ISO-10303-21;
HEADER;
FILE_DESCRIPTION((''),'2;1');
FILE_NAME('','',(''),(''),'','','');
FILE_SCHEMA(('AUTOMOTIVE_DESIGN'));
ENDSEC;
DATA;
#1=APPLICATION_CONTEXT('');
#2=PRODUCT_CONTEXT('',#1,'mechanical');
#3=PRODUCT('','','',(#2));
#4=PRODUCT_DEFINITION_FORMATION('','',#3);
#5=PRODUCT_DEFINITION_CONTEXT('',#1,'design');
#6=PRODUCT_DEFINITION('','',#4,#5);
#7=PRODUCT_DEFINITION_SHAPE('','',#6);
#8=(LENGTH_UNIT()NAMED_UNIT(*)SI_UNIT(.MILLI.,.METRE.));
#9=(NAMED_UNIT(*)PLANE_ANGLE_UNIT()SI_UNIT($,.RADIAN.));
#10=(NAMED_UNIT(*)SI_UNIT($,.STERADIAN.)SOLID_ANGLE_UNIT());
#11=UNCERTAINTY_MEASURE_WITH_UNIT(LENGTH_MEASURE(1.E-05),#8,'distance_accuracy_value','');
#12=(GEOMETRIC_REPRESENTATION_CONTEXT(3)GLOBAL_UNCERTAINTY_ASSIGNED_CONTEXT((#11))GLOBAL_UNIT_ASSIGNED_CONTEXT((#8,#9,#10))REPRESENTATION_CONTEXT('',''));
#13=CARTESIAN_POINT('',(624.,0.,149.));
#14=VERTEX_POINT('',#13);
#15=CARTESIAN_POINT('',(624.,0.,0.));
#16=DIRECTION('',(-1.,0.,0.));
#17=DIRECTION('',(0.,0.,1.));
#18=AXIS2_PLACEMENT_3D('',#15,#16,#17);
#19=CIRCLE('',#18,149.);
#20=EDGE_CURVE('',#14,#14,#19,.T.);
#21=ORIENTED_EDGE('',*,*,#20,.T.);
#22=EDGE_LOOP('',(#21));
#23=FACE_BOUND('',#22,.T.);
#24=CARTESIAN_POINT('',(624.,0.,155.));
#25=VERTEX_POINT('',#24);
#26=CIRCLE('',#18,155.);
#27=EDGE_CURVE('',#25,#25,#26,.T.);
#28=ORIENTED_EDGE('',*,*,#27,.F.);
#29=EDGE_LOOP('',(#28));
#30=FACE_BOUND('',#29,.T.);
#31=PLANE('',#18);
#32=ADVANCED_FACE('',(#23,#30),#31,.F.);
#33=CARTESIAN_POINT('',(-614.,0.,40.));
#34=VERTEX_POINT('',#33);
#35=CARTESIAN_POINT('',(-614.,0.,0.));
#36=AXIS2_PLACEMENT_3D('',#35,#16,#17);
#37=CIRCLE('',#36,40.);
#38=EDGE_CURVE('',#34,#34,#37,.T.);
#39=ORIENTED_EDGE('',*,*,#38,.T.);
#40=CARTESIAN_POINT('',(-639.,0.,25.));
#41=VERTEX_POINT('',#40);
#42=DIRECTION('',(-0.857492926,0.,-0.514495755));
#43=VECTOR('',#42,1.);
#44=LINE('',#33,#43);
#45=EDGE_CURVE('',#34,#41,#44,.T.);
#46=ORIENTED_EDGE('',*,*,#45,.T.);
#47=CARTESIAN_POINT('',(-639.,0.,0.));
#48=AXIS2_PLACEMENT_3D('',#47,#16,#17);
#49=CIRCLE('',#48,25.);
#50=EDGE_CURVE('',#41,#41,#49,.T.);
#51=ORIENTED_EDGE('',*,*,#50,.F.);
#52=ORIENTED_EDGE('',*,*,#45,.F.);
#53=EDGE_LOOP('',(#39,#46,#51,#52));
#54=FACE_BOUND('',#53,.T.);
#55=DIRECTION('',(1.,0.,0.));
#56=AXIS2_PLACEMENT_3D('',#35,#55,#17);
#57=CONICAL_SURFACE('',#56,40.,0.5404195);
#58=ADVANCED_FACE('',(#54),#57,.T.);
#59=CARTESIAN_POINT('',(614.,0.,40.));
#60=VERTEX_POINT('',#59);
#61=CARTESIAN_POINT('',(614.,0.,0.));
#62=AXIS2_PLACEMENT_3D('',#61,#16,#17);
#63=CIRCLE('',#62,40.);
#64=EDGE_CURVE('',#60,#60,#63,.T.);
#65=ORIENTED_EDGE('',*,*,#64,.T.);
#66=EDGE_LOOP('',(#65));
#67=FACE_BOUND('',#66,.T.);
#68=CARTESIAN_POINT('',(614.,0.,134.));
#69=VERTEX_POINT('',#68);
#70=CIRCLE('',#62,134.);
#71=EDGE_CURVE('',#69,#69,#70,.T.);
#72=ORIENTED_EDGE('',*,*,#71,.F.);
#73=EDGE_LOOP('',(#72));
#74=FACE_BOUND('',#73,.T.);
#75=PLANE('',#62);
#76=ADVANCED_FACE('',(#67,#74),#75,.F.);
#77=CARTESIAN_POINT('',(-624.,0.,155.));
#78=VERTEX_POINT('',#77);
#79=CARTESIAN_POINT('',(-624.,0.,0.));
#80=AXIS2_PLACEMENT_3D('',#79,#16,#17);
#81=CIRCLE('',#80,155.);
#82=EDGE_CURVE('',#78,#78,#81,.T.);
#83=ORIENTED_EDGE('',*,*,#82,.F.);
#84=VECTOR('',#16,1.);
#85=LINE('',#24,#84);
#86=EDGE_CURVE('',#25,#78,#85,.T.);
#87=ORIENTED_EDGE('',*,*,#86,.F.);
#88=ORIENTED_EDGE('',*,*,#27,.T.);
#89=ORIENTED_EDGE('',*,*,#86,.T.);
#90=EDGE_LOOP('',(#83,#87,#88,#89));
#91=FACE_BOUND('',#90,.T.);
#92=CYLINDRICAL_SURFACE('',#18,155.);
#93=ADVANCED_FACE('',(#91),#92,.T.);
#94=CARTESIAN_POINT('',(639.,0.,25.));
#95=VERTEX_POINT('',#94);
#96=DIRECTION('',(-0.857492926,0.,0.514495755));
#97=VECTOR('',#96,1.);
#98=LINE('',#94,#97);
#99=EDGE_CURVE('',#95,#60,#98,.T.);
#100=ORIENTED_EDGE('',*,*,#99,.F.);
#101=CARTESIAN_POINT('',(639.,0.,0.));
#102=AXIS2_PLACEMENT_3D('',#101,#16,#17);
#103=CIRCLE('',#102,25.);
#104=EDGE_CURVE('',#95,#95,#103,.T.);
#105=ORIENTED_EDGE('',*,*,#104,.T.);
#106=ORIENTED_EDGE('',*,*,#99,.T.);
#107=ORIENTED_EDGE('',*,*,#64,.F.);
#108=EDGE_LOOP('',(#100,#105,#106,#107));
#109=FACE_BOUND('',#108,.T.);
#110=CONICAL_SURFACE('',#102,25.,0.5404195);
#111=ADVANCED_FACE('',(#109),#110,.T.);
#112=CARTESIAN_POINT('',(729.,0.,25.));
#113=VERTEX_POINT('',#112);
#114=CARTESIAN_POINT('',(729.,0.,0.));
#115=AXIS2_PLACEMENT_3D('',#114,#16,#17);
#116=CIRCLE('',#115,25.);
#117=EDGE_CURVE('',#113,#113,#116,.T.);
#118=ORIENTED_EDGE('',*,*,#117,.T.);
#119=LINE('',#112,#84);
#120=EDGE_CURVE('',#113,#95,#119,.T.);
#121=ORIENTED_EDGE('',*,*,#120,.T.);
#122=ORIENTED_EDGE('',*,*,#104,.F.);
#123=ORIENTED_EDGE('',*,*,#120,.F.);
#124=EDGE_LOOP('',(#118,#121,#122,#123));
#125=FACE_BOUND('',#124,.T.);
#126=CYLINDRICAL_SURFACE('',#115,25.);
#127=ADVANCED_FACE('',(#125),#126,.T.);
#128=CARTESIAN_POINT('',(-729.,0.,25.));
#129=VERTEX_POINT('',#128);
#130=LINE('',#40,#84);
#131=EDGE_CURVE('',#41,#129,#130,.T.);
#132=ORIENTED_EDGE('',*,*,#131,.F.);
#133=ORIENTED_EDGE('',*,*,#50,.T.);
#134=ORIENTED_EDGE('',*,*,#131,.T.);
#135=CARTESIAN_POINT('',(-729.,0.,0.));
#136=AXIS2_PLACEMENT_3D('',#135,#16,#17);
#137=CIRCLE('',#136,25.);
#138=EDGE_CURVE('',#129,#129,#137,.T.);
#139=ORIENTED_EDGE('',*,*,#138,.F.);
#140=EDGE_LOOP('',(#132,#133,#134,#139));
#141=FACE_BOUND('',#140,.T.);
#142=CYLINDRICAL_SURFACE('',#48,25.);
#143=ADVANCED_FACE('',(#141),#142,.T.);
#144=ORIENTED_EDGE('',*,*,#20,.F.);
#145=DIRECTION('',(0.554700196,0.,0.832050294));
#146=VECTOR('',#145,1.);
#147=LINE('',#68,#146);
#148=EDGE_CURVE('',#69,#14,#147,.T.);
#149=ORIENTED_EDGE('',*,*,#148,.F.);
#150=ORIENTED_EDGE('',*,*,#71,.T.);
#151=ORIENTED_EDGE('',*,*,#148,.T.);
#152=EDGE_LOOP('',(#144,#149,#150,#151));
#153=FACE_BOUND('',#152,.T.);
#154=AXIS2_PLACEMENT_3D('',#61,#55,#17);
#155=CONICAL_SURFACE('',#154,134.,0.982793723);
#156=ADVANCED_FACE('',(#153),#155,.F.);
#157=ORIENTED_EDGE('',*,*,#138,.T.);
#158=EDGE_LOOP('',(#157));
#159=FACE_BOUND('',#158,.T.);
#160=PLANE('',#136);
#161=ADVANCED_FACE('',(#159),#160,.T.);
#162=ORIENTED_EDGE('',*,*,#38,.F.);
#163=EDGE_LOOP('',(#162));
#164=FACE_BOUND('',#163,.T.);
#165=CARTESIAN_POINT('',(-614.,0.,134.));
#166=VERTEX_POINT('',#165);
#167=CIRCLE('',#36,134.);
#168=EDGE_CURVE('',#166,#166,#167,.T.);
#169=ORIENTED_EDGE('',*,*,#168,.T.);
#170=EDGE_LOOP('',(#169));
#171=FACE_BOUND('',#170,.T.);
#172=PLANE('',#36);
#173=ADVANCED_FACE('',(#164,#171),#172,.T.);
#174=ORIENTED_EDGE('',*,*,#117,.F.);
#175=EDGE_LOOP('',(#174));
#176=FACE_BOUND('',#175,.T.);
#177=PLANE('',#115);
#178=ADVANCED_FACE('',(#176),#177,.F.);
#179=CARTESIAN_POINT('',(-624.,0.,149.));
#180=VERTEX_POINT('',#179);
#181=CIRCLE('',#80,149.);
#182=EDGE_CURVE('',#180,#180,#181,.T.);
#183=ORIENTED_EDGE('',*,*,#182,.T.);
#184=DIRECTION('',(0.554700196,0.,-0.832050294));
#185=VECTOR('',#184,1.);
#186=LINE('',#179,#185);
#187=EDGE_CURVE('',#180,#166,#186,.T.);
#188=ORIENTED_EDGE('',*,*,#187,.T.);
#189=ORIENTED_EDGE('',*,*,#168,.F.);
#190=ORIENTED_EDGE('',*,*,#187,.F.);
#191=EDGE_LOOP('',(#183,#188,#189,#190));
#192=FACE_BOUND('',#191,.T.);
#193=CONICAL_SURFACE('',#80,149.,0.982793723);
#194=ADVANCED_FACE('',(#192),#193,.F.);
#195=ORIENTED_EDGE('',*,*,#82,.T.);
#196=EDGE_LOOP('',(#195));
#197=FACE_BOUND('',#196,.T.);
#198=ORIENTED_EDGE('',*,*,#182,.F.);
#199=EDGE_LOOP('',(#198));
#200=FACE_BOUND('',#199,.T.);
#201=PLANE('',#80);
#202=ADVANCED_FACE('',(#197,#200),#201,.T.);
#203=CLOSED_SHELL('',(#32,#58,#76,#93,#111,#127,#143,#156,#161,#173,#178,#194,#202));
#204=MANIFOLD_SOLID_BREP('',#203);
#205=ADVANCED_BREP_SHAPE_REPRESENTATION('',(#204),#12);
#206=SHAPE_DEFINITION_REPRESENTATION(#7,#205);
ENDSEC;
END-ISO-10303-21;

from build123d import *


with BuildPart() as f1:
    # F0 (on Front) → F1 (revolve)
    with BuildSketch(Plane.XZ):
        Polygon((614, 155), (0, 155), (-614, 155), (-614, 134), (-614, 40), (-614, 25), (-614, 0), (0, 0), (614, 0), (614, 25), (614, 40), (614, 134), align=None)
        Polygon((-614, 134), (-614, 155), (-624, 155), (-624, 149), align=None)
        Polygon((624, 155), (614, 155), (614, 134), (624, 149), align=None)
        Polygon((-614, 25), (-614, 40), (-639, 25), align=None)
        Polygon((639, 25), (614, 40), (614, 25), align=None)
        Polygon((-614, 0), (-614, 25), (-639, 25), (-729, 25), (-729, 0), align=None)
        Polygon((639, 25), (614, 25), (614, 0), (729, 0), (729, 25), align=None)
    revolve(axis=Axis((-364.5, 0, 0), (-1, 0, 0)))


solid = f1.part
